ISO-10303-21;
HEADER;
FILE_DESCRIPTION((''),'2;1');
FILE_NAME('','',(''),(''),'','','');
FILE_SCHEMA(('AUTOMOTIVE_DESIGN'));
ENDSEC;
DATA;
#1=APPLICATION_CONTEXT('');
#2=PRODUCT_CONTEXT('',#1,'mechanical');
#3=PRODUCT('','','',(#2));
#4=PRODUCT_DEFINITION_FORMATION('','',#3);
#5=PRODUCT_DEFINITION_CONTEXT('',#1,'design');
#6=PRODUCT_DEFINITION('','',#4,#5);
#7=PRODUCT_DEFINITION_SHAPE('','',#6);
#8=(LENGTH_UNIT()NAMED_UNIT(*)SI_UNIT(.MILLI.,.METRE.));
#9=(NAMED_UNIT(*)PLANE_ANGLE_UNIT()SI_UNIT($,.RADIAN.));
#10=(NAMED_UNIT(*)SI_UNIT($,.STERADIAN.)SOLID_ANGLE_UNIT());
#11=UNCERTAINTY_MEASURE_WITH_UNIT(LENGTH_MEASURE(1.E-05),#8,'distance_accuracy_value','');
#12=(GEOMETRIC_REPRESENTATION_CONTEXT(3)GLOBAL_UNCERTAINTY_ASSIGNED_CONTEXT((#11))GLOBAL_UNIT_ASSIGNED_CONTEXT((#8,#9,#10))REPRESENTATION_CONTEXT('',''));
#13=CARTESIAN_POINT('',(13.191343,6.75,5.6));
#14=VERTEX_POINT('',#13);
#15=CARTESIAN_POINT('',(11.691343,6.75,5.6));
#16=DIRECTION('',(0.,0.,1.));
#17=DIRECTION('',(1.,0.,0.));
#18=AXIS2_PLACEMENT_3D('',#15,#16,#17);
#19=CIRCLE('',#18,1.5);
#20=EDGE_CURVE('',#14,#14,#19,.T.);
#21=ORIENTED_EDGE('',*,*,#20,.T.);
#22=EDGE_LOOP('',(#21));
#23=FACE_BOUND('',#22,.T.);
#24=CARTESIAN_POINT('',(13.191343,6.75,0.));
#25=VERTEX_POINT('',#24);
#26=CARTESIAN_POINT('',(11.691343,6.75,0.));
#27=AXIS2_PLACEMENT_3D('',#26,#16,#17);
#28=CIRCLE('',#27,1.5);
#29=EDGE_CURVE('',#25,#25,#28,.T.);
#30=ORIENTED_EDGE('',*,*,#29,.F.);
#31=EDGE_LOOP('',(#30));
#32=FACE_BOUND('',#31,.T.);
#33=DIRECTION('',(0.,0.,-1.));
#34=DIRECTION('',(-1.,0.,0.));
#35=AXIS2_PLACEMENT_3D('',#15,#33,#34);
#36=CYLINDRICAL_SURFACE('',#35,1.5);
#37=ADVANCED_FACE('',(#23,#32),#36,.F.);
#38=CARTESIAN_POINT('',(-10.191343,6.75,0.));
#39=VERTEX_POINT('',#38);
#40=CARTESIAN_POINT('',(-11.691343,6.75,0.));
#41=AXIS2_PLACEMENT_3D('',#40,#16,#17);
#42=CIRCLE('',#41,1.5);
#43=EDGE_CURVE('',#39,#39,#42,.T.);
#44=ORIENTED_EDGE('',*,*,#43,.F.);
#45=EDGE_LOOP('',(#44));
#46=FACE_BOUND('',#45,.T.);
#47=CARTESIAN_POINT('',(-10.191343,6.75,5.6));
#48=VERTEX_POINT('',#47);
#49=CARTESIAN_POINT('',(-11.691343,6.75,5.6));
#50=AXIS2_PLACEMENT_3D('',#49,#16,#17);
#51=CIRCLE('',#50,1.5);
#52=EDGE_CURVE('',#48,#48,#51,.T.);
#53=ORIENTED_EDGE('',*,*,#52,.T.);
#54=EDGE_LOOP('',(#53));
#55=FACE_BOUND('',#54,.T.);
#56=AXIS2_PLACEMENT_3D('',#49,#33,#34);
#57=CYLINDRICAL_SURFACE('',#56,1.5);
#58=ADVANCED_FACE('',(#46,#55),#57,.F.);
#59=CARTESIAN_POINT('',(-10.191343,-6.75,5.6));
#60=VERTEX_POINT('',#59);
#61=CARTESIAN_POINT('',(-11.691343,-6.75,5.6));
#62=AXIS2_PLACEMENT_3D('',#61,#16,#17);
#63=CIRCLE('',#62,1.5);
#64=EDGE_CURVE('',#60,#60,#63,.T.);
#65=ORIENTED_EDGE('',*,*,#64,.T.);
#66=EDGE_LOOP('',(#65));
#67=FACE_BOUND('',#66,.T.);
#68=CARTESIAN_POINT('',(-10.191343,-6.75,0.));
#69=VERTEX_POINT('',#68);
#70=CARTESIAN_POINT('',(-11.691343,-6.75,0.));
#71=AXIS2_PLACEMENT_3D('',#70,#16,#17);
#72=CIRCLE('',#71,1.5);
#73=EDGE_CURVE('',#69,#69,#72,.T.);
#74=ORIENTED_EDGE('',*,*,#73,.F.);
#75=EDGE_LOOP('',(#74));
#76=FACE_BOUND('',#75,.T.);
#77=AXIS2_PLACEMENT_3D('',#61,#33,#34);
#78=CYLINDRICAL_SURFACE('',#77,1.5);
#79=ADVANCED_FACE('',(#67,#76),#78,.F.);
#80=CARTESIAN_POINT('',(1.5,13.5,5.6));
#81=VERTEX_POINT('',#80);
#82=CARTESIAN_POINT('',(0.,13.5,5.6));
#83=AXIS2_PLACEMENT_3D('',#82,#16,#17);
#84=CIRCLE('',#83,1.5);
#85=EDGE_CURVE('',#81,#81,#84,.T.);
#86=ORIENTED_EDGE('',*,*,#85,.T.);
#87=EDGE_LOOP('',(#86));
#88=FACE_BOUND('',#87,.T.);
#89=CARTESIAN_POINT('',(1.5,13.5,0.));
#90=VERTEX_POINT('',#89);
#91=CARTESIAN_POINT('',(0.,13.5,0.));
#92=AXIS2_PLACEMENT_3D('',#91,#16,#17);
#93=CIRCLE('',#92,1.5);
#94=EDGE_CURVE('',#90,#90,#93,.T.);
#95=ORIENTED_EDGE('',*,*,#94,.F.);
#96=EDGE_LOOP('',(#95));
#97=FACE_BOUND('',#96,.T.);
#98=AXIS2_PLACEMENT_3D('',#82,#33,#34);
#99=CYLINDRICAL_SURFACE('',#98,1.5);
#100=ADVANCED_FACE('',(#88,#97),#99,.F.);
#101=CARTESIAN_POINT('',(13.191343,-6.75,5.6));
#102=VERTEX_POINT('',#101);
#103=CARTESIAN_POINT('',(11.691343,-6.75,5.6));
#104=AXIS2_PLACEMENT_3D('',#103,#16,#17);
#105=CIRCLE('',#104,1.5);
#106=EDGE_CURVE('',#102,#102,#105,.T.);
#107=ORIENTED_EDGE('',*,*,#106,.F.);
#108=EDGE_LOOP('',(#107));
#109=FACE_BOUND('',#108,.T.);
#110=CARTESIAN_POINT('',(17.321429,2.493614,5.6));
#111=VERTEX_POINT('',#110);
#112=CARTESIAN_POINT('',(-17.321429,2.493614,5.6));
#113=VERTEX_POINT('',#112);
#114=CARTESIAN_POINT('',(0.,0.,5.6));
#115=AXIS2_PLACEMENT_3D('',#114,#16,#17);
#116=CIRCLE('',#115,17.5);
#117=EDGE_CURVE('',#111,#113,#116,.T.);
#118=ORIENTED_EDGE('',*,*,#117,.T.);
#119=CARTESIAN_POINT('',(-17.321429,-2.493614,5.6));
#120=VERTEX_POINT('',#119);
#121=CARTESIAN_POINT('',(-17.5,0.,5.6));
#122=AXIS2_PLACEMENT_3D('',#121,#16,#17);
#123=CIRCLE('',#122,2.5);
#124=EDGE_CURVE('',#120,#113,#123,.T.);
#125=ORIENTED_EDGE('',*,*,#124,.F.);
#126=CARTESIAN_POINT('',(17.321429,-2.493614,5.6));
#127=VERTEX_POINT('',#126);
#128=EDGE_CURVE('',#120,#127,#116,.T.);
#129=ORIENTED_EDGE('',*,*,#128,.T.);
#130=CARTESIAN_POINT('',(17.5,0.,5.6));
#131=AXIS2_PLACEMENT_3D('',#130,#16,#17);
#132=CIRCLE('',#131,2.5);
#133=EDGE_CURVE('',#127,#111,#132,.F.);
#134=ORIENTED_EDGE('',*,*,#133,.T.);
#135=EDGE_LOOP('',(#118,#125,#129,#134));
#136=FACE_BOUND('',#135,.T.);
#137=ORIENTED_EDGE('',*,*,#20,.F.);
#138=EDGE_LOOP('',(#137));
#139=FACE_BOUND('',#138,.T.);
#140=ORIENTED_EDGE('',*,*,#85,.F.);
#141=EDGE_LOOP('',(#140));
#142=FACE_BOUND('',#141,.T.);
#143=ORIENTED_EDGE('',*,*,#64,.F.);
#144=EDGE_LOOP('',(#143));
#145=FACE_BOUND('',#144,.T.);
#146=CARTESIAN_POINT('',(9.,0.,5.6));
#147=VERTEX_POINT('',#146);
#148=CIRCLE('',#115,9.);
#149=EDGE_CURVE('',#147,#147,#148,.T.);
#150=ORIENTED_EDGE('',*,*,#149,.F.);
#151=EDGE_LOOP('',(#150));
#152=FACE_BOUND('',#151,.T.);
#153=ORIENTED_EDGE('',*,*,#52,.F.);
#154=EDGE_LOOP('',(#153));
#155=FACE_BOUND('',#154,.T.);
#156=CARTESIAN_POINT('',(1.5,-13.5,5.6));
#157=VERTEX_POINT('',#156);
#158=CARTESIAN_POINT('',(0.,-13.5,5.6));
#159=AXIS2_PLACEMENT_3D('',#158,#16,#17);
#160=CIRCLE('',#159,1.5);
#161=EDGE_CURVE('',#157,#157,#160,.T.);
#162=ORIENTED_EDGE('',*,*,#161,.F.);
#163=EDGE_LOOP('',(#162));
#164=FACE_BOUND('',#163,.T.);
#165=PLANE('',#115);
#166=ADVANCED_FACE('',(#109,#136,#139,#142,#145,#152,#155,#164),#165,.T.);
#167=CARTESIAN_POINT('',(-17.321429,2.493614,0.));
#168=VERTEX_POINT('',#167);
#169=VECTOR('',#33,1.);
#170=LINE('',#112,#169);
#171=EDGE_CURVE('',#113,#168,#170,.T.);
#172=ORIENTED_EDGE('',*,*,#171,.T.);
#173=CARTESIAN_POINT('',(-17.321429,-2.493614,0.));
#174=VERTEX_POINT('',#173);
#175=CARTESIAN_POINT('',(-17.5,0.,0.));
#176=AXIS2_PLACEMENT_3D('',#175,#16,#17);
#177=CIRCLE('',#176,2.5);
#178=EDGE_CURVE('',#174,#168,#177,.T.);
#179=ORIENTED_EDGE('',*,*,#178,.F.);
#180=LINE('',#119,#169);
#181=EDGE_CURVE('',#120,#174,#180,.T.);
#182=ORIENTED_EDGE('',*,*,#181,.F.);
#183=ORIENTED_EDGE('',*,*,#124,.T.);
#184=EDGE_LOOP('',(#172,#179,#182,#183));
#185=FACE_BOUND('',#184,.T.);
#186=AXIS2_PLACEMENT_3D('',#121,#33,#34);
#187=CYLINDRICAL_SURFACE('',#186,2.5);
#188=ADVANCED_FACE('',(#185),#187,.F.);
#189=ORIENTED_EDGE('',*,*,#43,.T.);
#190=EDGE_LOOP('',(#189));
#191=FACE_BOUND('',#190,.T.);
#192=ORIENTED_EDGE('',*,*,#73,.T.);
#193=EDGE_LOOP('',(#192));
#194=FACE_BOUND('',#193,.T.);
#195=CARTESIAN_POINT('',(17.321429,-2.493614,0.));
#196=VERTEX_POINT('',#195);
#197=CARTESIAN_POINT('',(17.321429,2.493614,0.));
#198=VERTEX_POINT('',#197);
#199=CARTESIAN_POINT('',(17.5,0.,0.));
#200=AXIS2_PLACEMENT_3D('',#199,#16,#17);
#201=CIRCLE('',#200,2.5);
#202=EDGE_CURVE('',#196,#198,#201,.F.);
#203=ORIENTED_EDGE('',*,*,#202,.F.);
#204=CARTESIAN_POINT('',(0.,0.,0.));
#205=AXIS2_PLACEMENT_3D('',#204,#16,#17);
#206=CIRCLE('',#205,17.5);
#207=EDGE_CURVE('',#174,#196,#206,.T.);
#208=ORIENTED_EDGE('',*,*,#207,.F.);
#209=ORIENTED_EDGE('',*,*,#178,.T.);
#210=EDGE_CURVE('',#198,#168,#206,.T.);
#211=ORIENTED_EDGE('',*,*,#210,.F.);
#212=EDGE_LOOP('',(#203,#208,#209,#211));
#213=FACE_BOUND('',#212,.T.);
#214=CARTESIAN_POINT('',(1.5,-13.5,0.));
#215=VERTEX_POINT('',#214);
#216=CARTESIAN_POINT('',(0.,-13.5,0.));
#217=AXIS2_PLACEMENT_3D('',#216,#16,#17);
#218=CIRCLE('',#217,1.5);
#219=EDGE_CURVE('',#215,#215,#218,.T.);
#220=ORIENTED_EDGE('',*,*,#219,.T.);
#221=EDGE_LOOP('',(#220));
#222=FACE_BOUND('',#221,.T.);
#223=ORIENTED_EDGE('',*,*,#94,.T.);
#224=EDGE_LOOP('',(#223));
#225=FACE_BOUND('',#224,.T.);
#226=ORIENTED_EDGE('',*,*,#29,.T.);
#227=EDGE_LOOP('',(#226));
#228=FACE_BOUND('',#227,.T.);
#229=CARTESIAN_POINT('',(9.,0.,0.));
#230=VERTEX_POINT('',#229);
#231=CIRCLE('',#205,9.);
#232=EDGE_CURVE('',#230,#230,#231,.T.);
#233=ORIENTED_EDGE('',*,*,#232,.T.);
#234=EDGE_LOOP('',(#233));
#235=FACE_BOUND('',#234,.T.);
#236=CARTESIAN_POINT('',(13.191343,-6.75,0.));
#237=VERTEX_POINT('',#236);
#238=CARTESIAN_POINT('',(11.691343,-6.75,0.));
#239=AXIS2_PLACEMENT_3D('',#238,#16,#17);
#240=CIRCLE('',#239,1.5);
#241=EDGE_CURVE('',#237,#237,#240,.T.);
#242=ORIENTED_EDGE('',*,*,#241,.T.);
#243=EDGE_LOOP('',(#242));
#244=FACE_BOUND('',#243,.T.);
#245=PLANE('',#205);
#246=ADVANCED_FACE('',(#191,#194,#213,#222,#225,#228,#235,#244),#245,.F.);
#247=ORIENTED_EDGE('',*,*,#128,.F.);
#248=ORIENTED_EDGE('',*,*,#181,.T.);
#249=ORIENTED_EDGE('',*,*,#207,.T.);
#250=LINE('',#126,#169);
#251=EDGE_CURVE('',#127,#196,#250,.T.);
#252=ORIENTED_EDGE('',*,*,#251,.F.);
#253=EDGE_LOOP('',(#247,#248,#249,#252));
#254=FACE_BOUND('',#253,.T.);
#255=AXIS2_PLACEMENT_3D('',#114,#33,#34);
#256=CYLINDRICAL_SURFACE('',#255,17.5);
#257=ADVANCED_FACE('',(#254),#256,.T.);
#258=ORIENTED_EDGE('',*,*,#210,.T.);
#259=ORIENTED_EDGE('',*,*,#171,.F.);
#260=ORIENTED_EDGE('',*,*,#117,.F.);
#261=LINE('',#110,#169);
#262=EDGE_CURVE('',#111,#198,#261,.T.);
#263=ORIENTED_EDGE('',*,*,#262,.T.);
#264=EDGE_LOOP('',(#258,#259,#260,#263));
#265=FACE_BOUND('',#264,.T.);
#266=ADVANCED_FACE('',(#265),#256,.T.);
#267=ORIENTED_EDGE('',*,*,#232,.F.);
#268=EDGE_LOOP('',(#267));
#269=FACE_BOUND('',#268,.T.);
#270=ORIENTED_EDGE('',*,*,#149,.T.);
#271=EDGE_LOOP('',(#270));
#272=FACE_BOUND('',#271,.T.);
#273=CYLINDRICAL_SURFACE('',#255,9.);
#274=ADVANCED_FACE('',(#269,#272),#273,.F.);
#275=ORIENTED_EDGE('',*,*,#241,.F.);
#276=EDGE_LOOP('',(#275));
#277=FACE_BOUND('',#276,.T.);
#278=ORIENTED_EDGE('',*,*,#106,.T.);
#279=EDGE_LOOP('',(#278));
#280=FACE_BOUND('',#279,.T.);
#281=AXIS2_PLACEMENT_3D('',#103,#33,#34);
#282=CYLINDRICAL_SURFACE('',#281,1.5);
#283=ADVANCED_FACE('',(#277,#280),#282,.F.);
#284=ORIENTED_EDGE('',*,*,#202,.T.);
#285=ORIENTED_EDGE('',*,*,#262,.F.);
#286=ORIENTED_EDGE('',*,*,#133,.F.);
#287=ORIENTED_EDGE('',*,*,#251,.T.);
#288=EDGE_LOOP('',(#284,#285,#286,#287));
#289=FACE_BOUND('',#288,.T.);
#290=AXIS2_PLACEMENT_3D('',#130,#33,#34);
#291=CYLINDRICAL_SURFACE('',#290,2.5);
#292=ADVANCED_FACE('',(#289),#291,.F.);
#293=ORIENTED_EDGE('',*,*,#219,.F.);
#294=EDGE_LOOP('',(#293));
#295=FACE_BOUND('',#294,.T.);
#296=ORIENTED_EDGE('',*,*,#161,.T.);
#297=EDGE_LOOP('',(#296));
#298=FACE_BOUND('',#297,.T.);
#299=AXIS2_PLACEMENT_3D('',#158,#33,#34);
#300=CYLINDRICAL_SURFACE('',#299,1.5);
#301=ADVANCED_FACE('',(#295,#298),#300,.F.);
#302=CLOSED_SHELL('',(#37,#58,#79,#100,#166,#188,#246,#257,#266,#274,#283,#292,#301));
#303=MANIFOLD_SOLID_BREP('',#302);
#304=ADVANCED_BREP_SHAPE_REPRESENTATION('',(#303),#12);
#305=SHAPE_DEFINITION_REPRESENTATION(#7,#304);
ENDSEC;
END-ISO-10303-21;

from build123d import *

# Parameters (mm, degrees)
SKETCH_1_R      = 1.5
EXTRUDE_1_DEPTH = 5.6


with BuildPart() as part:
    # 草图1 → 凸台-拉伸1 (new body)
    with BuildSketch(Plane.XY):
        with BuildLine():
            ThreePointArc((-17.321428571, -2.493614294), (-11.45887756, -13.226644513), (0, -17.5))
            ThreePointArc((0, -17.5), (11.45887756, -13.226644513), (17.321428571, -2.493614294))
            ThreePointArc((17.321428571, -2.493614294), (15, 0), (17.321428571, 2.493614294))
            ThreePointArc((17.321428571, 2.493614294), (0, 17.5), (-17.321428571, 2.493614294))
            ThreePointArc((-17.321428571, 2.493614294), (-15.670187363, 1.70346286), (-15, 0))
            ThreePointArc((-15, 0), (-15.670187363, -1.70346286), (-17.321428571, -2.493614294))
        make_face()
        with Locations((-11.691342951, -6.75)):
            Circle(SKETCH_1_R, mode=Mode.SUBTRACT)
        with BuildLine():
            ThreePointArc((0, -15), (-1.5, -13.5), (0, -12))
            ThreePointArc((0, -12), (1.060660172, -12.439339828), (1.5, -13.5))
            ThreePointArc((1.5, -13.5), (1.060660172, -14.560660172), (0, -15))
        make_face(mode=Mode.SUBTRACT)
        with Locations((11.691342951, -6.75)):
            Circle(SKETCH_1_R, mode=Mode.SUBTRACT)
        with Locations((-11.691342951, 6.75)):
            Circle(SKETCH_1_R, mode=Mode.SUBTRACT)
        with BuildLine():
            ThreePointArc((9, 0), (6.363961031, -6.363961031), (0, -9))
            ThreePointArc((0, -9), (-6.363961031, 6.363961031), (9, 0))
        make_face(mode=Mode.SUBTRACT)
        with Locations((11.691342951, 6.75)):
            Circle(SKETCH_1_R, mode=Mode.SUBTRACT)
        with Locations((0, 13.5)):
            Circle(SKETCH_1_R, mode=Mode.SUBTRACT)
    extrude(amount=EXTRUDE_1_DEPTH)


solid = part.part
